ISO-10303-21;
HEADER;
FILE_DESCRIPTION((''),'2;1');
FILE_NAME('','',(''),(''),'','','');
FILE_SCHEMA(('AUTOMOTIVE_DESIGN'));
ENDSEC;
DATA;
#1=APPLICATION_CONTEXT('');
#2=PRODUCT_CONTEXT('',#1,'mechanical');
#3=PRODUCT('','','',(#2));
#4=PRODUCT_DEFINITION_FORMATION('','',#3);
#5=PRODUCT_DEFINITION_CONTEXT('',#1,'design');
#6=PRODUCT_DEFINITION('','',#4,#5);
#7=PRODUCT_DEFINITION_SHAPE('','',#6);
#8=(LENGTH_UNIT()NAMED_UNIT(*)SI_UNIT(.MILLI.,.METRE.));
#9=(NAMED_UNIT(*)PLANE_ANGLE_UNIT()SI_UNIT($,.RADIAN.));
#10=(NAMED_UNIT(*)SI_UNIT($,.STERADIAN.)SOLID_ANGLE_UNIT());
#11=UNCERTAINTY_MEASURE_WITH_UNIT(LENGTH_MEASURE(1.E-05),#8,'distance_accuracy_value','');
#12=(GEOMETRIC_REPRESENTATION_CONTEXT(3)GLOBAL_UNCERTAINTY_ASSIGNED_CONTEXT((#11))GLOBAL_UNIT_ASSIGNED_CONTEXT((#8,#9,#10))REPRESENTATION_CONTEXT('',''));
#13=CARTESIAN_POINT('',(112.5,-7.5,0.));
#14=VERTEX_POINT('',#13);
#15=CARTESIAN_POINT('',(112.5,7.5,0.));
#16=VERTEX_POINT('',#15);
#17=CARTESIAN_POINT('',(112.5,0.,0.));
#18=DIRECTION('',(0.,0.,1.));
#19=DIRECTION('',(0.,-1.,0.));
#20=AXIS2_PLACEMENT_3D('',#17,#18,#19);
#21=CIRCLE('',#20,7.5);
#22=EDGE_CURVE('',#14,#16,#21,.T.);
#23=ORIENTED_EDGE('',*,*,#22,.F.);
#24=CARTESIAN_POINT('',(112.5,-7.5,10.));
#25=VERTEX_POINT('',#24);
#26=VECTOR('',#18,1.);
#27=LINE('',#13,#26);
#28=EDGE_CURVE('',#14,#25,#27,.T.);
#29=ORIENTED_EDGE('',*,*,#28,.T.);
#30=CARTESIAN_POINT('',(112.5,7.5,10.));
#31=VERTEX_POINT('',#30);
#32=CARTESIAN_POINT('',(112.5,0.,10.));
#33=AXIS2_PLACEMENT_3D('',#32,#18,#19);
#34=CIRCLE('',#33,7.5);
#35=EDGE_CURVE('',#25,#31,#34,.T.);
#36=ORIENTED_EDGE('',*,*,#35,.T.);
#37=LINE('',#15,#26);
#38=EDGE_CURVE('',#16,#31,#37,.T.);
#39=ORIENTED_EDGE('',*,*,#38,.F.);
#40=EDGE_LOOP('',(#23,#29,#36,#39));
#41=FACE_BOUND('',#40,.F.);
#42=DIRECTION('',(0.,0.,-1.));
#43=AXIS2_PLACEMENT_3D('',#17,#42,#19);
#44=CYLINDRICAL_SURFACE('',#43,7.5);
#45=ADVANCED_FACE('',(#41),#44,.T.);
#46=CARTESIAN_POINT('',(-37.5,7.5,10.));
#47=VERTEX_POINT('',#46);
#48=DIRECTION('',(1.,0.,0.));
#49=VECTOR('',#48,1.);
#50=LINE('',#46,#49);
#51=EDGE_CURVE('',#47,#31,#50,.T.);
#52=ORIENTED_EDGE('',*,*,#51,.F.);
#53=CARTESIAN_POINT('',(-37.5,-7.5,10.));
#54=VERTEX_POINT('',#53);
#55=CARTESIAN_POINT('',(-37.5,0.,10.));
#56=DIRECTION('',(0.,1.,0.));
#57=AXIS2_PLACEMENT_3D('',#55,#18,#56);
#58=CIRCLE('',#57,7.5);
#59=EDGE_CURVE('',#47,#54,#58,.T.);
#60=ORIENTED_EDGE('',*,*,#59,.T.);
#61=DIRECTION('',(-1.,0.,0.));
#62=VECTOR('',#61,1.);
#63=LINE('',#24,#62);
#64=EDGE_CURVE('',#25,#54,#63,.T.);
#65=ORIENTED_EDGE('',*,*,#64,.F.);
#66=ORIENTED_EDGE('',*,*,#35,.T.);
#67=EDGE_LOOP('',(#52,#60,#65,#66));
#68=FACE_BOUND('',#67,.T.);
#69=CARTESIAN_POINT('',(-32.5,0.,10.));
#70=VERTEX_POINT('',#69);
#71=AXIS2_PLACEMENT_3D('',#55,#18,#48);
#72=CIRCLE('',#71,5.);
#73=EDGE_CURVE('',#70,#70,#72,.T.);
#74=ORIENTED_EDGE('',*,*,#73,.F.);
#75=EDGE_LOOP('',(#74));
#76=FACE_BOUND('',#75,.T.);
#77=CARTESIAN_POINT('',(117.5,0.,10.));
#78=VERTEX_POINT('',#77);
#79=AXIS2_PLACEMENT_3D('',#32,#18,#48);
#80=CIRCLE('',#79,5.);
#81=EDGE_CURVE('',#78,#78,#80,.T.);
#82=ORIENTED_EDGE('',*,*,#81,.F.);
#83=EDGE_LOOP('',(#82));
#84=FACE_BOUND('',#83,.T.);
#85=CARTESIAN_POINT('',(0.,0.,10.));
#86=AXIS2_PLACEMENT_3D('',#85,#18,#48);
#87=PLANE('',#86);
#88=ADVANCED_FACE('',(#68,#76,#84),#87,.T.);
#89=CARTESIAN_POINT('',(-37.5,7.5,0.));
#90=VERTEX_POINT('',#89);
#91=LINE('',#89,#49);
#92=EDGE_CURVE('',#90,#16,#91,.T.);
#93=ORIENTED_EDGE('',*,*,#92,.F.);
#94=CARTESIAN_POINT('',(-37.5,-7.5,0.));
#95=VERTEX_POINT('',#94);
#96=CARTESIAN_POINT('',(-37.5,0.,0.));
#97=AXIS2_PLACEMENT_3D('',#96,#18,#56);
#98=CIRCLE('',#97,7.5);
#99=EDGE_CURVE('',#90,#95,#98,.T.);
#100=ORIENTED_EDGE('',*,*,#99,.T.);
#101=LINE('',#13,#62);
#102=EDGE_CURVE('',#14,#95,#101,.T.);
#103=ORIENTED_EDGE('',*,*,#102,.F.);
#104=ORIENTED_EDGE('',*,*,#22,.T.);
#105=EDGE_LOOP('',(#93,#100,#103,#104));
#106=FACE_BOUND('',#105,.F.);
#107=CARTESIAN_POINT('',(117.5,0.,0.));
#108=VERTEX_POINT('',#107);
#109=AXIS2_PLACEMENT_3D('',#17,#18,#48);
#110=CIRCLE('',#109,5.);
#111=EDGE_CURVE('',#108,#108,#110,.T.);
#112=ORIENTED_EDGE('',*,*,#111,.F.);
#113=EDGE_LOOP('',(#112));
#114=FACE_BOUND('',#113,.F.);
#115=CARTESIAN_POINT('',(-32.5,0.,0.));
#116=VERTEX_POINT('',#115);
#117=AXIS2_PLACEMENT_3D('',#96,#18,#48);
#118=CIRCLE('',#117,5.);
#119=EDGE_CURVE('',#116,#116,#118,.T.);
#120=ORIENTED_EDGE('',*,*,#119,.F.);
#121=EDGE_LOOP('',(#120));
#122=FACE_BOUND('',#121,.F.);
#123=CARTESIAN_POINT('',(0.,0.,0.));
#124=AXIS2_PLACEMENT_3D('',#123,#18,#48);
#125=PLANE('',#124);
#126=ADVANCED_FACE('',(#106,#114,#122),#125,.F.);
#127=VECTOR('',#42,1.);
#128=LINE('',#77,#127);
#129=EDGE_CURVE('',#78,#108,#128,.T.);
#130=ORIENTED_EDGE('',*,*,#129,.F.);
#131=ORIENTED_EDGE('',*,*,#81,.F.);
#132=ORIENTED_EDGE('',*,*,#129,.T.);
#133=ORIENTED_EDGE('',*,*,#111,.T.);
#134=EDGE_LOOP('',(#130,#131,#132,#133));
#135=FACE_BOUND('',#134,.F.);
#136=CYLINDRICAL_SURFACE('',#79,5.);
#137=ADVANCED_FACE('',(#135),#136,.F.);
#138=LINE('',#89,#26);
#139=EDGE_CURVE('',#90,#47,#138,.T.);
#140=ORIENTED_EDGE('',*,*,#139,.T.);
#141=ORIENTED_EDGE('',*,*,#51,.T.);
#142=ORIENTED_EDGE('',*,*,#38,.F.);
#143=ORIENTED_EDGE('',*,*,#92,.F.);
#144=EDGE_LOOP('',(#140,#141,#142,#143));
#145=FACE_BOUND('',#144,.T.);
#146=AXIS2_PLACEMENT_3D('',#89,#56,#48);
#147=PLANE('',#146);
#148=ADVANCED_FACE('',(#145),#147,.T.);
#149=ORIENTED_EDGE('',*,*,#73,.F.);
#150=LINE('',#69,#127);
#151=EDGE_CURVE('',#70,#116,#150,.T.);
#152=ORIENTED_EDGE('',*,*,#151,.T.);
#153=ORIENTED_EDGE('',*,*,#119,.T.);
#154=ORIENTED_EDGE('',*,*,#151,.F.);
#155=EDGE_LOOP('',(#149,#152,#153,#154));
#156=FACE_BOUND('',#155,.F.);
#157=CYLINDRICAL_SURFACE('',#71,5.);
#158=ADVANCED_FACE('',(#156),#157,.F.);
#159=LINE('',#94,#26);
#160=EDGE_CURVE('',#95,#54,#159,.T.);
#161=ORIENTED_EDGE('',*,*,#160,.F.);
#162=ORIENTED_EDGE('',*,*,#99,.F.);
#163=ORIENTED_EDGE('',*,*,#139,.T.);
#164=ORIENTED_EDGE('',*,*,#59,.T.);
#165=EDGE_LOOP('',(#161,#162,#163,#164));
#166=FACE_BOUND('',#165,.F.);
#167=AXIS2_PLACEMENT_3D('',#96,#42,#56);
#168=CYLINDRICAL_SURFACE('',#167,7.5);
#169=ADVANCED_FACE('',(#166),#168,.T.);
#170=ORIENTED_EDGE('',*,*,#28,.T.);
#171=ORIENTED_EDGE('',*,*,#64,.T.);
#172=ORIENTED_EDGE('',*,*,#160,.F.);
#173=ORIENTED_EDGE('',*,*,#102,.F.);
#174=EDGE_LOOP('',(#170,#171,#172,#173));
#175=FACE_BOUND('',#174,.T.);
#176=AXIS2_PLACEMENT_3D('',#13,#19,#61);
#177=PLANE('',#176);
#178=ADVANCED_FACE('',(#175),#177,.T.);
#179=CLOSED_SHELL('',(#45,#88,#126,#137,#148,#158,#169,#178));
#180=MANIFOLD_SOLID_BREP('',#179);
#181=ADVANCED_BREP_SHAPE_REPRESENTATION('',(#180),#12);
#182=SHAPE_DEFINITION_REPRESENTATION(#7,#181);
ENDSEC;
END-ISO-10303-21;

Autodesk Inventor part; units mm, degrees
ref_plane "YZ Plane" through (0, 0, 0) normal (1, 0, 0) x (0, 1, 0)
ref_plane "XZ Plane" through (0, 0, 0) normal (0, 1, 0) x (-1, 0, 0)
ref_plane "XY Plane" through (0, 0, 0) normal (0, 0, 1) x (1, 0, 0)
sketch "Sketch2" plane through (0, 0, 0) normal (0, 0, 1) x (1, 0, 0)
  line L0 (-37.5, 7.5) -> (112.5, 7.5)
  line L1 (112.5, 7.5) -> (112.5, -7.5)
  line L2 (112.5, -7.5) -> (-37.5, -7.5)
  line L3 (-37.5, -7.5) -> (-37.5, 7.5)
  arc A0 (-37.5, 7.5) -> (-37.5, -7.5) centre (-37.5, 0) ccw
  arc A1 (112.5, -7.5) -> (112.5, 7.5) centre (112.5, 0) ccw
  circle A2 centre (-37.5, 0) radius 5
  circle A3 centre (36.6347, 0) radius 5
  point P0 (0, 0)
  point P1 (-37.5, 5)
  point P2 (-37.5, -5)
  dimension "d8" = 150
  dimension "d9" = 15
  dimension "d10" = 7.5
  dimension "d11" = 37.5
  dimension "d12" = 10
  dimension "d13" = 10
extrude "Extrusion2" add sketch "Sketch2" along normal blind 10 contours L0 L1 L2 L3 A2 | L3 A2 A0 | A1 L1 | A2 L3 | L3 A2 | A3
sketch "Sketch3" plane through (0, 0, 10) normal (0, 0, 1) x (1, 0, 0)
  circle A0 centre (-37.5, 0) radius 5
  arc A1 (112.5, -7.5) -> (112.5, 7.5) centre (112.5, 0) ccw projected
  circle A2 centre (112.5, 0) radius 5
  point P0 (0, 0)
  dimension "d16" = 10
  dimension "d17" = 10
extrude "Extrusion3" cut sketch "Sketch3" against normal blind 10
properties part number "outerLink" material "Stainless Steel"
